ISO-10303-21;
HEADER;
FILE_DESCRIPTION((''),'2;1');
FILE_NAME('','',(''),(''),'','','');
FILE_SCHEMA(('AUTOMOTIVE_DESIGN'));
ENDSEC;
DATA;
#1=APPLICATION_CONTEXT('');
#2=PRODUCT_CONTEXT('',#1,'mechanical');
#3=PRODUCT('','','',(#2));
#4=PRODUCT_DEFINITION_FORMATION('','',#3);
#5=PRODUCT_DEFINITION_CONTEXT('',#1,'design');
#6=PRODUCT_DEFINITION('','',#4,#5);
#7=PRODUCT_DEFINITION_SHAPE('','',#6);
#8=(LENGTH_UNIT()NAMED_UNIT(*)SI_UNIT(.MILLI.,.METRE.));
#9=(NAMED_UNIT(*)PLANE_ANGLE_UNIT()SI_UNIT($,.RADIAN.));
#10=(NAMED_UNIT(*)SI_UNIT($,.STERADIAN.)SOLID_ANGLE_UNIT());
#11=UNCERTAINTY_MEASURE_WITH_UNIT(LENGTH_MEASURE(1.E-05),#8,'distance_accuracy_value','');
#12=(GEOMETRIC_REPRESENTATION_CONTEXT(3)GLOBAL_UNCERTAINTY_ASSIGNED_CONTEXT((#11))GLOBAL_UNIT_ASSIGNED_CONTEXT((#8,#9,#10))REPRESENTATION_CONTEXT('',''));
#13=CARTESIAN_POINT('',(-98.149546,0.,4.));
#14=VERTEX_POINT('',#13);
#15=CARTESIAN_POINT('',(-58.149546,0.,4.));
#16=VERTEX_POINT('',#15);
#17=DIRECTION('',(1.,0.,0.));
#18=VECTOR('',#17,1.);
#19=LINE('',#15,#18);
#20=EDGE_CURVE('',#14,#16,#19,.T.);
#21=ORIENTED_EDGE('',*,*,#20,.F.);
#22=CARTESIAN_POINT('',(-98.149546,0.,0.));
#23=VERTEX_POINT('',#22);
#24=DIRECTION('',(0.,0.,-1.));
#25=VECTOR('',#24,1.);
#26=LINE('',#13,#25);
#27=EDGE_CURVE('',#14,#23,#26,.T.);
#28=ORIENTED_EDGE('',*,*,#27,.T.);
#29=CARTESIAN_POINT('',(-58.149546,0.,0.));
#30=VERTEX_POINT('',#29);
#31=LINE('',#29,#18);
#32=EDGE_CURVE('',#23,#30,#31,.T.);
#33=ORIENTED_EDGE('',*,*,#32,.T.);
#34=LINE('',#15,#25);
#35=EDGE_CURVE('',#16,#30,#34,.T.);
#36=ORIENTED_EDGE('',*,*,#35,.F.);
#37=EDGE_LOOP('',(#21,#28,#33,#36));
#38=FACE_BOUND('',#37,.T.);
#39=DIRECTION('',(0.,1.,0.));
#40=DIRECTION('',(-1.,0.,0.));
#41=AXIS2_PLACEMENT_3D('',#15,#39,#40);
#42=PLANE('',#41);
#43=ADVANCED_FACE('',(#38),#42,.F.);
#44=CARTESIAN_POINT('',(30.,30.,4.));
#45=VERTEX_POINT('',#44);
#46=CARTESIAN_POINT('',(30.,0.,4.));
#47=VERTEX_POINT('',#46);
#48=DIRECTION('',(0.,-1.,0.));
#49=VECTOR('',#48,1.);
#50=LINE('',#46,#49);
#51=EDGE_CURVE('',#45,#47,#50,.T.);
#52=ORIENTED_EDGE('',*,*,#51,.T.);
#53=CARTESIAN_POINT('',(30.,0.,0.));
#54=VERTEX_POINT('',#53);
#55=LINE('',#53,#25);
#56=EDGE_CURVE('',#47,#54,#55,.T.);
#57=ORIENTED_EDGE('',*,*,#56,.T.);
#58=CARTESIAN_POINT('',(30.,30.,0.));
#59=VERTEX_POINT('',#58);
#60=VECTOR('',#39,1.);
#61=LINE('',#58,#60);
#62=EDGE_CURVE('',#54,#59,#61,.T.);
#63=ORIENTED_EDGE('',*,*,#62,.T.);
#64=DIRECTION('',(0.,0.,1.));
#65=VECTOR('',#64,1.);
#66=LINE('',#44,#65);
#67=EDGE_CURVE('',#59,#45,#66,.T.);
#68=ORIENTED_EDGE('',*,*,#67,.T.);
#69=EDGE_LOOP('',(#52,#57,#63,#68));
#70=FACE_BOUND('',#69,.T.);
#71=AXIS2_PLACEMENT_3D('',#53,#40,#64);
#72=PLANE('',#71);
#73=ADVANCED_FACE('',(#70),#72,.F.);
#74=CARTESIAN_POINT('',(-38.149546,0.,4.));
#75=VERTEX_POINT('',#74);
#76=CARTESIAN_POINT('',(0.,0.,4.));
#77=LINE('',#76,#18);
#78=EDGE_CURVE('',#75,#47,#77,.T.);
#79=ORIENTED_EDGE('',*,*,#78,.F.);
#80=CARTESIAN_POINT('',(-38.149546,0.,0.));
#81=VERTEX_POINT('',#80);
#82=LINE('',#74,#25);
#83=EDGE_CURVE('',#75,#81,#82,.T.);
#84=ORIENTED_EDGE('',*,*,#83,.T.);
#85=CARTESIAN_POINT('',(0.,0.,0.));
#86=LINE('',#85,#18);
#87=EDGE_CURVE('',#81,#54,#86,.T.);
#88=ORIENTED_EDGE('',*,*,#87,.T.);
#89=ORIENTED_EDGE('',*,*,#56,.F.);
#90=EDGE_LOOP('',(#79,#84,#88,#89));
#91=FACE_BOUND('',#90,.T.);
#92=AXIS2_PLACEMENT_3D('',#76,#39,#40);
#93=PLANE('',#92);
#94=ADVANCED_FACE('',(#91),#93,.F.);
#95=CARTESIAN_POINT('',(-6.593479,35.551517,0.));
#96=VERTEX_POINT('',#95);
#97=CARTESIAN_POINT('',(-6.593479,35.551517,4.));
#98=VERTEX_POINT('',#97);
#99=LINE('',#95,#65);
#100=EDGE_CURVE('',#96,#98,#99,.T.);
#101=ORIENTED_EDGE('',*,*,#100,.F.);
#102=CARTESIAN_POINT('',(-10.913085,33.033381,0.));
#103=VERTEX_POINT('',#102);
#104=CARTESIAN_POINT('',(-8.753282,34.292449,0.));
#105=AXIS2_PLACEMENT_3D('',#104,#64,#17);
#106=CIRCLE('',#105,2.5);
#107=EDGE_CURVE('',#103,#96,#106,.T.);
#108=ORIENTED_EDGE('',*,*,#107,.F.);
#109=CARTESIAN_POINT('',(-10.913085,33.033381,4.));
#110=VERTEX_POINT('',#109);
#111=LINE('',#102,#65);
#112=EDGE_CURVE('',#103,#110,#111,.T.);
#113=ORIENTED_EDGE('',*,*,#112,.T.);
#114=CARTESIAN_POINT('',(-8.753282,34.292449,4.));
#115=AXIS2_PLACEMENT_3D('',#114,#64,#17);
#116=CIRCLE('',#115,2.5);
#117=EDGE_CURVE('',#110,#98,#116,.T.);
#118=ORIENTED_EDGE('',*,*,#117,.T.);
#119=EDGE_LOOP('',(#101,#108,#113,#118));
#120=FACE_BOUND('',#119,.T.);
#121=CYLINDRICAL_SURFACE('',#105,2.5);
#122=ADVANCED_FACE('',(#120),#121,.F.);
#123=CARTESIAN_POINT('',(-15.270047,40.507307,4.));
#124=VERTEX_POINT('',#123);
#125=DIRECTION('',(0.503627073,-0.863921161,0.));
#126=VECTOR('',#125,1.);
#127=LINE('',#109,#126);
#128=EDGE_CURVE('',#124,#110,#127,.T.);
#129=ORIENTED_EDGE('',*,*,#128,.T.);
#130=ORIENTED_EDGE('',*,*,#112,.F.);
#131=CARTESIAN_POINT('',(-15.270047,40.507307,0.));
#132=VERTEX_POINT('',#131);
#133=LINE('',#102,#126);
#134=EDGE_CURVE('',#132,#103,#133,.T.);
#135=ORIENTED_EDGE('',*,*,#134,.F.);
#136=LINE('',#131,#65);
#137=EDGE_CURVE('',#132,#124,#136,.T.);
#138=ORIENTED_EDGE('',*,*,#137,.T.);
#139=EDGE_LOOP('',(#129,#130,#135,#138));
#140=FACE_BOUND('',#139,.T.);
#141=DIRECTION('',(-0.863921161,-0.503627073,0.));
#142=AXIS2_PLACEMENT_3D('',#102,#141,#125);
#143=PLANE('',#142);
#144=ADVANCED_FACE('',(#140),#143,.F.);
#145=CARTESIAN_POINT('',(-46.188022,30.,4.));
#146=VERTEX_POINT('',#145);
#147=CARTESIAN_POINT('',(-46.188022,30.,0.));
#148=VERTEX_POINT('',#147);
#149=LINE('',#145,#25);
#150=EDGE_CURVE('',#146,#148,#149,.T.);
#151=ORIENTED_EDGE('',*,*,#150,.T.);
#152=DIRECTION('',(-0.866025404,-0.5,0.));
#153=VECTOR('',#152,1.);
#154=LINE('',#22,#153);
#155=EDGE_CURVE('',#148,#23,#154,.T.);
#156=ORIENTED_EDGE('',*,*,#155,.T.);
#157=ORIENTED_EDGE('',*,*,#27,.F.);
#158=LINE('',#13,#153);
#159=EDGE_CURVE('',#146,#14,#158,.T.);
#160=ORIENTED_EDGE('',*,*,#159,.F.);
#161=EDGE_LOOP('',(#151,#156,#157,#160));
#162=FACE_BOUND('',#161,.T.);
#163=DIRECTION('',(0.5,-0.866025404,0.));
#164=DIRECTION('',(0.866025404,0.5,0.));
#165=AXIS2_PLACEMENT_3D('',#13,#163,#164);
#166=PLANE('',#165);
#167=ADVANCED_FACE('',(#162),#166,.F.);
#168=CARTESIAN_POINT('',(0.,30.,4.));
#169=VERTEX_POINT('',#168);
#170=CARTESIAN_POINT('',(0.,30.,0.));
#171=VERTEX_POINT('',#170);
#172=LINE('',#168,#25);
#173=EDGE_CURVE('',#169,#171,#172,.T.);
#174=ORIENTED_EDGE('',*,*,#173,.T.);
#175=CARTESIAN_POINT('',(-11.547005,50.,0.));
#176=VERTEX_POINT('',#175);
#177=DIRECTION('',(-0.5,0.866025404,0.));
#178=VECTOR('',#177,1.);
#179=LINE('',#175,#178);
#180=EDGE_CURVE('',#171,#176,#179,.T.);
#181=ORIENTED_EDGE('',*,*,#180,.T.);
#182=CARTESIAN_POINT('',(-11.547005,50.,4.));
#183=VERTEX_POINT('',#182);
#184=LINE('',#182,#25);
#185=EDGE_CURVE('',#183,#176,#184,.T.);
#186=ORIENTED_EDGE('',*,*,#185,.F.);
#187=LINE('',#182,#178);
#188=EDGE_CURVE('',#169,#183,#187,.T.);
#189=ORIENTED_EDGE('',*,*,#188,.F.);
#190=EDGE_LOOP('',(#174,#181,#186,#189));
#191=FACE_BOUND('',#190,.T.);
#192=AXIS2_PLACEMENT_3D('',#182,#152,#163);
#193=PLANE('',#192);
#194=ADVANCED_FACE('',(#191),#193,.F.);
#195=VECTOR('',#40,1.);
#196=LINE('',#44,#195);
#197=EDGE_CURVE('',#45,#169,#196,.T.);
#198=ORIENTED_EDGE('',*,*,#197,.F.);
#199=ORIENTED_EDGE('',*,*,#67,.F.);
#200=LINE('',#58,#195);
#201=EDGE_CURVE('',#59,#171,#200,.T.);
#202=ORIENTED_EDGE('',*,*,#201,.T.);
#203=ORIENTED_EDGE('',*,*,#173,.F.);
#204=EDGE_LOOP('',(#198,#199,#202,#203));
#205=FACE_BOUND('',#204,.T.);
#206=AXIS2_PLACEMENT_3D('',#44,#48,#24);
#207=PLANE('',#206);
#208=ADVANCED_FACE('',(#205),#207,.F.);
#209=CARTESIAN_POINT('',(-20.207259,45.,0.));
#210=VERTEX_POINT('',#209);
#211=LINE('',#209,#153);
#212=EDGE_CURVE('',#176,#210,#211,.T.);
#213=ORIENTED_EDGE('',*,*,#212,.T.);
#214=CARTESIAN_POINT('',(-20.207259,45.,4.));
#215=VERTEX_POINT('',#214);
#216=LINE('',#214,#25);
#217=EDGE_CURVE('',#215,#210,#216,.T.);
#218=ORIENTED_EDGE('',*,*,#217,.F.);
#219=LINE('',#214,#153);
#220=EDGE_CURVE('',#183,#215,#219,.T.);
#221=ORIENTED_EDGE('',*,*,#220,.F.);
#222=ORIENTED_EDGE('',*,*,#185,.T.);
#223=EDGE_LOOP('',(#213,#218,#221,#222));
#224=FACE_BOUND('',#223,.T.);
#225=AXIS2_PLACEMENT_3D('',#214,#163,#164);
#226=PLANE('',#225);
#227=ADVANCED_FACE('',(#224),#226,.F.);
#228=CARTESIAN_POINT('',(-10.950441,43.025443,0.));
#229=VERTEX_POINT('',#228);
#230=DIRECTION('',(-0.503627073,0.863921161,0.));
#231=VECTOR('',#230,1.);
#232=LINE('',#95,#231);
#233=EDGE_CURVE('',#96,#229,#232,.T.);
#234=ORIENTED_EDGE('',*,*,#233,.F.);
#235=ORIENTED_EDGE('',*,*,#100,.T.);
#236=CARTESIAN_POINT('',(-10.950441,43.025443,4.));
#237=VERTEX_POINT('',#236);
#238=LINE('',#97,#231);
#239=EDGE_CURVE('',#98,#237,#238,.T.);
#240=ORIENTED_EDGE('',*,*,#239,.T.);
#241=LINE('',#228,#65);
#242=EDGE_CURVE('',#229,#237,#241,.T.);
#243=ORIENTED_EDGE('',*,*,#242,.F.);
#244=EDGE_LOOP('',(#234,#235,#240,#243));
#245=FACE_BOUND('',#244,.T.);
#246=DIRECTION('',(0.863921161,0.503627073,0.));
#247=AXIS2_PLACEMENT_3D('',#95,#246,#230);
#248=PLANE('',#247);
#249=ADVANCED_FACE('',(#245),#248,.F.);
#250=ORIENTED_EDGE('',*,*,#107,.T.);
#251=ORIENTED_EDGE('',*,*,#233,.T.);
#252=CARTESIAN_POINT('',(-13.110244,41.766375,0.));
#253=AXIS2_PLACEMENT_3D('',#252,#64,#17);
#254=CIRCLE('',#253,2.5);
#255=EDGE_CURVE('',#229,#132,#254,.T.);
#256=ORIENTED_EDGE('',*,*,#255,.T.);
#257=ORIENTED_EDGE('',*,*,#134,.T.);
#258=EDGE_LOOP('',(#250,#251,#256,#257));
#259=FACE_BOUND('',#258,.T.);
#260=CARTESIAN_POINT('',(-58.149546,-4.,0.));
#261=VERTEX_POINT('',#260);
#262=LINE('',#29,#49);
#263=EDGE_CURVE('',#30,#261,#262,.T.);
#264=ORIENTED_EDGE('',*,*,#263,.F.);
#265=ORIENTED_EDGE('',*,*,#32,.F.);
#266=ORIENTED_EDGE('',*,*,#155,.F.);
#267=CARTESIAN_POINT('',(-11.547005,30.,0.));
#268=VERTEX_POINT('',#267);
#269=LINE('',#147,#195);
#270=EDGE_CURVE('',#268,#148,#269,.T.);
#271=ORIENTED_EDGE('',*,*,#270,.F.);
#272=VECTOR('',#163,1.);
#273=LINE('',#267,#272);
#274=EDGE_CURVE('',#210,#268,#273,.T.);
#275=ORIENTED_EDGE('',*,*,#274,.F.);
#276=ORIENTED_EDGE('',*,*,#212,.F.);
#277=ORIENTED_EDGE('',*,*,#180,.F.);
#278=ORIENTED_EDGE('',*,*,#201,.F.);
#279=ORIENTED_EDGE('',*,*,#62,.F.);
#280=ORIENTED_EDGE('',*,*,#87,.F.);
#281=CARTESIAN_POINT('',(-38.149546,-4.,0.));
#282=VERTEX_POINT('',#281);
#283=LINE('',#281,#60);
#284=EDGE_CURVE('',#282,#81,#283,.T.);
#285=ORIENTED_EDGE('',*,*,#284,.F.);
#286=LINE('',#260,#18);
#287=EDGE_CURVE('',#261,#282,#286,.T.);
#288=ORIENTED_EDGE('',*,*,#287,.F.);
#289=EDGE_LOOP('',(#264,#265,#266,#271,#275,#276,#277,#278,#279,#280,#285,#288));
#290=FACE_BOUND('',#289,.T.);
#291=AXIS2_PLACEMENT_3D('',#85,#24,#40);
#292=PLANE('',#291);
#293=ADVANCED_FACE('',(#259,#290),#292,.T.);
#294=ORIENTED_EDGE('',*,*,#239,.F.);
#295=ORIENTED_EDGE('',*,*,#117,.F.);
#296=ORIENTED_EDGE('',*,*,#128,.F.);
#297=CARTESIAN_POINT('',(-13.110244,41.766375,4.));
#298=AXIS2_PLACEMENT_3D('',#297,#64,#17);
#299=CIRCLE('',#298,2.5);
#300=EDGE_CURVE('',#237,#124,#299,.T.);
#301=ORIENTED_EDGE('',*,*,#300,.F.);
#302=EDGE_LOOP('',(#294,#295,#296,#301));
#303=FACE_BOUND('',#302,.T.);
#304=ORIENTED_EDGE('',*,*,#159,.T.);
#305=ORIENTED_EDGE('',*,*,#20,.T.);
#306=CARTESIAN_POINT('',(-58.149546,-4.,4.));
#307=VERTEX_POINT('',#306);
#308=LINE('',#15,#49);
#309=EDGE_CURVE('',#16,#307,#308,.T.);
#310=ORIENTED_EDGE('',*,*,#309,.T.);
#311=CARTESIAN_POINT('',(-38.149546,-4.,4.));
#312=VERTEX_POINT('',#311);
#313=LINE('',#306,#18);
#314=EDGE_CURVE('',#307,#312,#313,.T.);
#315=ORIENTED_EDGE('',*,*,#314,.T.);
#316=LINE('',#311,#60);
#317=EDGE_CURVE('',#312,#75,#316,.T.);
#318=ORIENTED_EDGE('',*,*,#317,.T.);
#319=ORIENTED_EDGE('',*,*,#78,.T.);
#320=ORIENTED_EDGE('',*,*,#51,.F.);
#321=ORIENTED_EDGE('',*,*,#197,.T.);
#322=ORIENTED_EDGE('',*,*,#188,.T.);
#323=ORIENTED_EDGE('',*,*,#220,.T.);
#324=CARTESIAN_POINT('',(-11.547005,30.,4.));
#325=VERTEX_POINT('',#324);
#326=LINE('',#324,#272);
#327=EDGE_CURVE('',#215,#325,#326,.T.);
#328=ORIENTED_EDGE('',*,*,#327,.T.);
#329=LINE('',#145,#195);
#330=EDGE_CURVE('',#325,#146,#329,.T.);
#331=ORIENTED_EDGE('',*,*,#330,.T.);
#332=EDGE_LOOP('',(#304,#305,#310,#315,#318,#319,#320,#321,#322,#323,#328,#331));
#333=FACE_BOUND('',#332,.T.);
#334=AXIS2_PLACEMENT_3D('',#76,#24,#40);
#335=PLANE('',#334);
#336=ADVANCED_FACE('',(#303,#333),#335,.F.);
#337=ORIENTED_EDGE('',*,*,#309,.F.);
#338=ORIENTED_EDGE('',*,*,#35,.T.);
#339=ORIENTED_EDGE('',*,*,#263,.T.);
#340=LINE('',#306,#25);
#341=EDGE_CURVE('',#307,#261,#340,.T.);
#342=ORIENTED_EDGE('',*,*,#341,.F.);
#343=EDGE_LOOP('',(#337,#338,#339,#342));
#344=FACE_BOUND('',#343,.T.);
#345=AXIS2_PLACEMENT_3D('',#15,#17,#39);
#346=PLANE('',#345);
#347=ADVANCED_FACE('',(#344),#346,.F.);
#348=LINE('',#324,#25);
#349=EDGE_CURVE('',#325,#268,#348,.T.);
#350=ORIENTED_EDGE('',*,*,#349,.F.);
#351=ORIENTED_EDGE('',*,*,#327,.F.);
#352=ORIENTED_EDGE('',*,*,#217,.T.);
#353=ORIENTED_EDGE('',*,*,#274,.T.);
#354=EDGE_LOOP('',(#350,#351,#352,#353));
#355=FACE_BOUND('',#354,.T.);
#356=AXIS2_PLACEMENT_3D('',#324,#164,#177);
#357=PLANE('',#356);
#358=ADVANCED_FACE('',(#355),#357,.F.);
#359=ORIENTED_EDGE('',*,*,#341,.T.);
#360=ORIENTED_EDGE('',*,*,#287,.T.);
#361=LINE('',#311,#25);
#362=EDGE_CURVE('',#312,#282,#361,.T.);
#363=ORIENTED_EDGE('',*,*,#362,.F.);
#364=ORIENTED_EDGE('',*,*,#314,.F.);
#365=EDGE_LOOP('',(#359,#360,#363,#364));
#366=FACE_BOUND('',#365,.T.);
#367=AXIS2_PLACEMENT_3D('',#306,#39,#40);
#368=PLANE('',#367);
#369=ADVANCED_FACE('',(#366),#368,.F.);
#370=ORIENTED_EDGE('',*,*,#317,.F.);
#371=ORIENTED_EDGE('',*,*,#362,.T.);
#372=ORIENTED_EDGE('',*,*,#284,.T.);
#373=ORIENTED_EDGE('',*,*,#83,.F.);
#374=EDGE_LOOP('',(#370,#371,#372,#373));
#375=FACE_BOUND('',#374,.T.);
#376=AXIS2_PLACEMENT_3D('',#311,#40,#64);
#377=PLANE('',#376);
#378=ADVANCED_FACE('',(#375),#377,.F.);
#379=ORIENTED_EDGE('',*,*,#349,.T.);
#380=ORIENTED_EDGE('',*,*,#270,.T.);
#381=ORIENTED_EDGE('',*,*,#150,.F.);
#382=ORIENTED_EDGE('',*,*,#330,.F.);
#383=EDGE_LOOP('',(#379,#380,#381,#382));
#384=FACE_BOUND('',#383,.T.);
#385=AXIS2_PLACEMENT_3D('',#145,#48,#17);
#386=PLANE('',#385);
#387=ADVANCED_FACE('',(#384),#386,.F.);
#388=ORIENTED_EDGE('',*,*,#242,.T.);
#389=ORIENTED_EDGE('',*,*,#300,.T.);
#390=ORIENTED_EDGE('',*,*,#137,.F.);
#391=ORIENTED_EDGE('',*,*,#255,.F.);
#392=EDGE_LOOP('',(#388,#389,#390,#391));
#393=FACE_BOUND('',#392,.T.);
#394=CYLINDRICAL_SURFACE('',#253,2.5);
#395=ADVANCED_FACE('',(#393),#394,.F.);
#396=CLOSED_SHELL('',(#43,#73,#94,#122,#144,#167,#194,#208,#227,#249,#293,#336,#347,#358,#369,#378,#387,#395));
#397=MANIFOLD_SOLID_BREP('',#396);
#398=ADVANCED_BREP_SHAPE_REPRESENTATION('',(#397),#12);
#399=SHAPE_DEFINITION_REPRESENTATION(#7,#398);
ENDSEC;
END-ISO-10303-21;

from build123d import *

# Parameters (mm, degrees)
BOSS_EXTRUDE1_DEPTH = 4
CUT_EXTRUDE2_DEPTH  = 4
SKETCH5_W           = 4
SKETCH5_H           = 30
BOSS_EXTRUDE2_DEPTH = 30


with BuildPart() as part:
    # Sketch1 → Boss-Extrude1 (new body)
    with BuildSketch(Plane.XY):
        Polygon((0, 0), (-38.149545772, 0), (-38.149545772, -4), (-58.149545772, -4), (-58.149545772, 0), (-98.149545772, 0), (-46.188021545, 30), (-11.547005384, 30), (-20.207259423, 45.000000002), (-11.547005385, 50.000000002), (0, 30), align=None)
    extrude(amount=BOSS_EXTRUDE1_DEPTH)

    # Sketch3 → Cut-Extrude2 (cut)
    with BuildSketch(Plane.XY.offset(4)):
        with BuildLine():
            Line((-6.593479065, 35.551516575), (-10.950440862, 43.025442617))
            ThreePointArc((-10.950440862, 43.025442617), (-14.369311445, 43.926177837), (-15.270046665, 40.507307254))
            Line((-15.270046665, 40.507307254), (-10.913084868, 33.033381213))
            ThreePointArc((-10.913084868, 33.033381213), (-7.494214285, 32.132645993), (-6.593479065, 35.551516575))
        make_face()
    extrude(amount=-CUT_EXTRUDE2_DEPTH, mode=Mode.SUBTRACT)

    # Sketch5 → Boss-Extrude2 (add)
    with BuildSketch(Plane(origin=(0, 0, 0), x_dir=(0, 0, -1), z_dir=(1, 0, 0))):
        with Locations((-2, 15)):
            Rectangle(SKETCH5_W, SKETCH5_H)
    extrude(amount=BOSS_EXTRUDE2_DEPTH)


solid = part.part
